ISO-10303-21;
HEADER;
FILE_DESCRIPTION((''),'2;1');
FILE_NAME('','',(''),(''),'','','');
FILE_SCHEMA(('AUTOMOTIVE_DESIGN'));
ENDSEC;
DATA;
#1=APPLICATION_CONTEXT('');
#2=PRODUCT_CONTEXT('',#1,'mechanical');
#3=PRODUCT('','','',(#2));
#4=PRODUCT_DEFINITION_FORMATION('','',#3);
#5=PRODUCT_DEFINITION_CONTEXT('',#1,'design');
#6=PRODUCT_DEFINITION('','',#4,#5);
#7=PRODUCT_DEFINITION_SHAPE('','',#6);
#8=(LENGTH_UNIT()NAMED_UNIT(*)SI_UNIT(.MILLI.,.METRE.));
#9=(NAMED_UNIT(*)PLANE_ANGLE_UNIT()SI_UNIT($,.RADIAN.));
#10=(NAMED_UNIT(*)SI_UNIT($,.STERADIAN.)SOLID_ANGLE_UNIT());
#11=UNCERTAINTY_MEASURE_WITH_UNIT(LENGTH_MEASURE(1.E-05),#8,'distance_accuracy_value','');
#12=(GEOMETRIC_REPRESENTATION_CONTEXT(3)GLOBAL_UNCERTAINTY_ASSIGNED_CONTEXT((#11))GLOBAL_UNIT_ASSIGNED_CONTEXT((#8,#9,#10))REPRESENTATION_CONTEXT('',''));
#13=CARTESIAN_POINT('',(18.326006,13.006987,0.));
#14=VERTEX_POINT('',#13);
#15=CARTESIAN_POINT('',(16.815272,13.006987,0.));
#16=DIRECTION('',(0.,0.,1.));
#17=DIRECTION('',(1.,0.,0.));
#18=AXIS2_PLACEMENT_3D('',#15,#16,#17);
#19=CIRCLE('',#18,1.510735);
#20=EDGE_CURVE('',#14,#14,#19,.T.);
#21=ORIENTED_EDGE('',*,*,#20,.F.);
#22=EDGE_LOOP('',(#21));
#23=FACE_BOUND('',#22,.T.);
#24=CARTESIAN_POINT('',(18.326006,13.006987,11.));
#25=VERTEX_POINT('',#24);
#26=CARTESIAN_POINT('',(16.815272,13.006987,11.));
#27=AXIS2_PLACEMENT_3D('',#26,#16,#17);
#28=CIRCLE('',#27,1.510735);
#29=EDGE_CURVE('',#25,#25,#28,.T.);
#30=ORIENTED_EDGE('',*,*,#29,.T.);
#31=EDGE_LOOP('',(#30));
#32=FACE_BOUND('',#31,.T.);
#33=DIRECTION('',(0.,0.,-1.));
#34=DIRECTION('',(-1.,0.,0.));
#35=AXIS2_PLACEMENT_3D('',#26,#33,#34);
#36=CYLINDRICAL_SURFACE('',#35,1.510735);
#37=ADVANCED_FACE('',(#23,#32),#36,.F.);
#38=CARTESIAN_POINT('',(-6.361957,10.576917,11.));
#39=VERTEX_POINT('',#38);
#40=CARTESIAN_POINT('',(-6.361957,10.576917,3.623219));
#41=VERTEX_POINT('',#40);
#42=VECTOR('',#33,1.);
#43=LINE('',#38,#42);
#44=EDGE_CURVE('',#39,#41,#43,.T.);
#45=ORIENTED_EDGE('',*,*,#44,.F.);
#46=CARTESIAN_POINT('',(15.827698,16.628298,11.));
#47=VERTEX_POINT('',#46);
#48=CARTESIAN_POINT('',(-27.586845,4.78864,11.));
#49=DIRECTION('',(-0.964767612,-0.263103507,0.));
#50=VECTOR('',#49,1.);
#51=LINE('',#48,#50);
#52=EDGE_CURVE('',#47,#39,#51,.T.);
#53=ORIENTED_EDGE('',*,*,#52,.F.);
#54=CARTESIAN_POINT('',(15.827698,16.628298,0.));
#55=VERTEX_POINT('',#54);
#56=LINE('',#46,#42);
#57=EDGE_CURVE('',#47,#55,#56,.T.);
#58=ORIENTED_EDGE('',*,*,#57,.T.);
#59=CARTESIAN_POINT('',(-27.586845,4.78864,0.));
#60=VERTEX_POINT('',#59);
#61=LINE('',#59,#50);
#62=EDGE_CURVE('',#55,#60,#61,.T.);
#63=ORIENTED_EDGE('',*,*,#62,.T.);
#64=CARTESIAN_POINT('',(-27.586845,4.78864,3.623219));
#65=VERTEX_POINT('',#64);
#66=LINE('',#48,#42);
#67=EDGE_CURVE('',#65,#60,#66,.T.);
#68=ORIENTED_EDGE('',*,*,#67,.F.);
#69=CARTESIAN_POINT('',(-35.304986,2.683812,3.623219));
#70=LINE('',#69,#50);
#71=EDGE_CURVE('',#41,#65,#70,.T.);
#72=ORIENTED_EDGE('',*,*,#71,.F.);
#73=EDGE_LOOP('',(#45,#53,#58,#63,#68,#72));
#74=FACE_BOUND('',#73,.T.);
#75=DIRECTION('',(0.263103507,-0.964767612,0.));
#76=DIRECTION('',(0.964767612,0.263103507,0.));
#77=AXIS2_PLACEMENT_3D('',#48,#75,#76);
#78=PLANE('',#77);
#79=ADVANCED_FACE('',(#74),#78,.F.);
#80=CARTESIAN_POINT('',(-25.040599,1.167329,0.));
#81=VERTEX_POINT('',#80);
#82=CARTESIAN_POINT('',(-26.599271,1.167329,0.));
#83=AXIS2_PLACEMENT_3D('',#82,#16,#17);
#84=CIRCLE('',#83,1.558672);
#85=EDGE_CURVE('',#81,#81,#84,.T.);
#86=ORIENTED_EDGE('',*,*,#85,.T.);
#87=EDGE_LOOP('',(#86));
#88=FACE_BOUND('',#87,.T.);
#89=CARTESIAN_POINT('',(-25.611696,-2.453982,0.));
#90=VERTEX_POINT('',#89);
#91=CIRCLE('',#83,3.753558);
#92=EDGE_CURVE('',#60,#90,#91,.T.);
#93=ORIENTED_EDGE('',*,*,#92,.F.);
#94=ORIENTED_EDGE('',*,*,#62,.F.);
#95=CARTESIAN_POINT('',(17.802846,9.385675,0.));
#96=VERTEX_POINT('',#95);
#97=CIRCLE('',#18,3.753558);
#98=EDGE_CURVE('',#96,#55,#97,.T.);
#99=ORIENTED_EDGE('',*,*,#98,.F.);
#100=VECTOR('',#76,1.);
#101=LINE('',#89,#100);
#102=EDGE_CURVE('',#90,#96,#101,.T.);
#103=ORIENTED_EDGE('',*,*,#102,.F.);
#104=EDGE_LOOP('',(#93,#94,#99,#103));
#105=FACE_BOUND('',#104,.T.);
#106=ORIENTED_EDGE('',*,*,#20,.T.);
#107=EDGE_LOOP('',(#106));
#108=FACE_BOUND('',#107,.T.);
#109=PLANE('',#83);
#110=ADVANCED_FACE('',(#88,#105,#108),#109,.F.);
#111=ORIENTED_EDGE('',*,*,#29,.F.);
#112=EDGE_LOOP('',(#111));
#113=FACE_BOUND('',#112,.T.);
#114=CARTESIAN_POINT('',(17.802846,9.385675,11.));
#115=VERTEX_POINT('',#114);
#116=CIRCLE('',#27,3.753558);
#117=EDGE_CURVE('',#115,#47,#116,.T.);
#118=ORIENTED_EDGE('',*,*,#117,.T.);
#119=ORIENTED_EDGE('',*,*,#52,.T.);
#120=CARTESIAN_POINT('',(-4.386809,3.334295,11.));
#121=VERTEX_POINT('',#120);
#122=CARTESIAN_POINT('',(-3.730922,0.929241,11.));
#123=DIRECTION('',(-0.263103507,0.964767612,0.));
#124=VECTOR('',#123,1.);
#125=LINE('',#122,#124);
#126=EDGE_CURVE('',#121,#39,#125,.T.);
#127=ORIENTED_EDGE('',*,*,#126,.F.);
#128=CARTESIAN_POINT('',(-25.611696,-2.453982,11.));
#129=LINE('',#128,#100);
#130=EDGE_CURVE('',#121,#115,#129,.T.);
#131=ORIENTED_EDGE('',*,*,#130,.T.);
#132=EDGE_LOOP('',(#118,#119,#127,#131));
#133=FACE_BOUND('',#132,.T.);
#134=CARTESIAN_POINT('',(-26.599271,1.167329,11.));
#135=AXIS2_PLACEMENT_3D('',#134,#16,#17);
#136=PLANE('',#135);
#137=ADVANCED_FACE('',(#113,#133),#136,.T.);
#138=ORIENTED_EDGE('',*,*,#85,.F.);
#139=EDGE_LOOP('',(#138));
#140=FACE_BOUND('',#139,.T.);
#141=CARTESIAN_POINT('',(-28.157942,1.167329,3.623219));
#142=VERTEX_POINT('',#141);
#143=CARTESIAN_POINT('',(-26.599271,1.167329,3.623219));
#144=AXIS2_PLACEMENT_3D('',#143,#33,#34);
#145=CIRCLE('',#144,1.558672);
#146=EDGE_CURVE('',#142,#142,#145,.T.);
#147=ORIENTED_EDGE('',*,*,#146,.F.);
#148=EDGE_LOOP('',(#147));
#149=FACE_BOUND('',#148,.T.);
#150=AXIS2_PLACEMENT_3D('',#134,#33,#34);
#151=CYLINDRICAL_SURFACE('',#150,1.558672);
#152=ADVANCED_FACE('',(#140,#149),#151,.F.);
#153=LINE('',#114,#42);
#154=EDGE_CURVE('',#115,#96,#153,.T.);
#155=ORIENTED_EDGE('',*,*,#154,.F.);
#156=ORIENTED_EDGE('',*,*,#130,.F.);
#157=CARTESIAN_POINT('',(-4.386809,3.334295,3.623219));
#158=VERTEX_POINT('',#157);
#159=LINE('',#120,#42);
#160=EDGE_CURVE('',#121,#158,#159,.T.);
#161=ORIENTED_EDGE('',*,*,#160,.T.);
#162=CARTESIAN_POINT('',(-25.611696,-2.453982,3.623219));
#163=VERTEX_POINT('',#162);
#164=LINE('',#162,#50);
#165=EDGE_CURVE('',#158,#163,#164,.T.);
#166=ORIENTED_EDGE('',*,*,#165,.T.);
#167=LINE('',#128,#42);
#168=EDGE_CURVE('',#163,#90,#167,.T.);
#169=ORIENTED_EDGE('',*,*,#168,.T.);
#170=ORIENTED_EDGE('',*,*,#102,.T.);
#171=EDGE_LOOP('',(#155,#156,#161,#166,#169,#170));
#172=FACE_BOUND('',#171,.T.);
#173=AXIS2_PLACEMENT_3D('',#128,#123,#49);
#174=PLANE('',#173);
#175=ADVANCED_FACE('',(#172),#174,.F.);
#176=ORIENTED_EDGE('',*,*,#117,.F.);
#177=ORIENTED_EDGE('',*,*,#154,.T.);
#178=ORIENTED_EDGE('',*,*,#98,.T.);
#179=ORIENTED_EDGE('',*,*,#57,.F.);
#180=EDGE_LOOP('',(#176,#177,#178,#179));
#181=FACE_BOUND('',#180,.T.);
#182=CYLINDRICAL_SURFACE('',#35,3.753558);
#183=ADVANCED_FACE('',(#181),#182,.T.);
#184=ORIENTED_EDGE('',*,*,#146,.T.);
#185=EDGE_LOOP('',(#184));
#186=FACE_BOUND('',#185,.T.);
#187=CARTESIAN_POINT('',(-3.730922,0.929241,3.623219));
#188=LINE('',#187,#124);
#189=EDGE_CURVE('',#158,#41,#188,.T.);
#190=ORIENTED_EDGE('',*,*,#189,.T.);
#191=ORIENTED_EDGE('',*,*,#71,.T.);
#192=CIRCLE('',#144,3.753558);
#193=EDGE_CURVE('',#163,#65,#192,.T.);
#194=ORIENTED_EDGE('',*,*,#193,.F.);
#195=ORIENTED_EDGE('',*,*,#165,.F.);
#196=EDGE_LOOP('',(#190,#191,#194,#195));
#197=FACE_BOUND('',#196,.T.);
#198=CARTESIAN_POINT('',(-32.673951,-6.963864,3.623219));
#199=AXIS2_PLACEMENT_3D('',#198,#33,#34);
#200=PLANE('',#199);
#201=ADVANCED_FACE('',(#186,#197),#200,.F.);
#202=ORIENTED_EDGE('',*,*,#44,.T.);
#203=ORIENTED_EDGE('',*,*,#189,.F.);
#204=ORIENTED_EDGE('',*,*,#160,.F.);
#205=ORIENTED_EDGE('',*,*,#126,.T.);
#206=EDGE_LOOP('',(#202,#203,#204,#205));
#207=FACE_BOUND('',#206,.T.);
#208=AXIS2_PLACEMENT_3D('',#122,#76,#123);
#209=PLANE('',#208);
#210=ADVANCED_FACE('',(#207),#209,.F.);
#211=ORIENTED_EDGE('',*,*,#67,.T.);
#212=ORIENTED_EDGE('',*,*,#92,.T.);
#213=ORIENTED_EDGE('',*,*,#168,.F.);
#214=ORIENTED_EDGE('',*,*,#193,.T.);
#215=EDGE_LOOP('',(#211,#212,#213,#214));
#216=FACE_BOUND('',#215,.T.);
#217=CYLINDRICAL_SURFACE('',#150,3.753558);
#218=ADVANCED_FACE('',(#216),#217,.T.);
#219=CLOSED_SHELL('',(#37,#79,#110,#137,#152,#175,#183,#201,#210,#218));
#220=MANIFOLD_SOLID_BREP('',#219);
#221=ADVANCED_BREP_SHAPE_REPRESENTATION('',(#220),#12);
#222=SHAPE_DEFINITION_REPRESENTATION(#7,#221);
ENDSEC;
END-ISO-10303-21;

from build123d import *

# Parameters (mm, degrees)
ESQUISSE1_R             = 1.558671709
ESQUISSE1_R_2           = 1.510734584
BOSS_EXTRU_1_DEPTH      = 11
ESQUISSE2_W             = 30
ESQUISSE2_H             = 7.376780582
ENL_V_MAT_EXTRU_1_DEPTH = 10


with BuildPart() as part:
    # Esquisse1 → Boss.-Extru.1 (new body)
    with BuildSketch(Plane.XY):
        with BuildLine():
            Line((-27.586844937, 4.788639913), (15.827697586, 16.628297741))
            ThreePointArc((15.827697586, 16.628297741), (20.43658301, 13.99456085), (17.802846119, 9.385675426))
            Line((17.802846119, 9.385675426), (-25.611696404, -2.453982402))
            ThreePointArc((-25.611696404, -2.453982402), (-30.220581828, 0.179754489), (-27.586844937, 4.788639913))
        make_face()
        with Locations((-26.599270671, 1.167328755)):
            Circle(ESQUISSE1_R, mode=Mode.SUBTRACT)
        with Locations((16.815271853, 13.006986583)):
            Circle(ESQUISSE1_R_2, mode=Mode.SUBTRACT)
    extrude(amount=BOSS_EXTRU_1_DEPTH)

    # Esquisse2 → Enlèv. mat.-Extru.1 (cut)
    with BuildSketch(Plane(origin=(-3.125175124, 11.4596258, 0), x_dir=(0.9647676116315722, 0.2631035072869839, 0), z_dir=(-0.2631035072869839, 0.9647676116315722, 0))):
        with Locations((-18.354986546, -7.311609709)):
            Rectangle(ESQUISSE2_W, ESQUISSE2_H)
    extrude(amount=-ENL_V_MAT_EXTRU_1_DEPTH, mode=Mode.SUBTRACT)


solid = part.part
